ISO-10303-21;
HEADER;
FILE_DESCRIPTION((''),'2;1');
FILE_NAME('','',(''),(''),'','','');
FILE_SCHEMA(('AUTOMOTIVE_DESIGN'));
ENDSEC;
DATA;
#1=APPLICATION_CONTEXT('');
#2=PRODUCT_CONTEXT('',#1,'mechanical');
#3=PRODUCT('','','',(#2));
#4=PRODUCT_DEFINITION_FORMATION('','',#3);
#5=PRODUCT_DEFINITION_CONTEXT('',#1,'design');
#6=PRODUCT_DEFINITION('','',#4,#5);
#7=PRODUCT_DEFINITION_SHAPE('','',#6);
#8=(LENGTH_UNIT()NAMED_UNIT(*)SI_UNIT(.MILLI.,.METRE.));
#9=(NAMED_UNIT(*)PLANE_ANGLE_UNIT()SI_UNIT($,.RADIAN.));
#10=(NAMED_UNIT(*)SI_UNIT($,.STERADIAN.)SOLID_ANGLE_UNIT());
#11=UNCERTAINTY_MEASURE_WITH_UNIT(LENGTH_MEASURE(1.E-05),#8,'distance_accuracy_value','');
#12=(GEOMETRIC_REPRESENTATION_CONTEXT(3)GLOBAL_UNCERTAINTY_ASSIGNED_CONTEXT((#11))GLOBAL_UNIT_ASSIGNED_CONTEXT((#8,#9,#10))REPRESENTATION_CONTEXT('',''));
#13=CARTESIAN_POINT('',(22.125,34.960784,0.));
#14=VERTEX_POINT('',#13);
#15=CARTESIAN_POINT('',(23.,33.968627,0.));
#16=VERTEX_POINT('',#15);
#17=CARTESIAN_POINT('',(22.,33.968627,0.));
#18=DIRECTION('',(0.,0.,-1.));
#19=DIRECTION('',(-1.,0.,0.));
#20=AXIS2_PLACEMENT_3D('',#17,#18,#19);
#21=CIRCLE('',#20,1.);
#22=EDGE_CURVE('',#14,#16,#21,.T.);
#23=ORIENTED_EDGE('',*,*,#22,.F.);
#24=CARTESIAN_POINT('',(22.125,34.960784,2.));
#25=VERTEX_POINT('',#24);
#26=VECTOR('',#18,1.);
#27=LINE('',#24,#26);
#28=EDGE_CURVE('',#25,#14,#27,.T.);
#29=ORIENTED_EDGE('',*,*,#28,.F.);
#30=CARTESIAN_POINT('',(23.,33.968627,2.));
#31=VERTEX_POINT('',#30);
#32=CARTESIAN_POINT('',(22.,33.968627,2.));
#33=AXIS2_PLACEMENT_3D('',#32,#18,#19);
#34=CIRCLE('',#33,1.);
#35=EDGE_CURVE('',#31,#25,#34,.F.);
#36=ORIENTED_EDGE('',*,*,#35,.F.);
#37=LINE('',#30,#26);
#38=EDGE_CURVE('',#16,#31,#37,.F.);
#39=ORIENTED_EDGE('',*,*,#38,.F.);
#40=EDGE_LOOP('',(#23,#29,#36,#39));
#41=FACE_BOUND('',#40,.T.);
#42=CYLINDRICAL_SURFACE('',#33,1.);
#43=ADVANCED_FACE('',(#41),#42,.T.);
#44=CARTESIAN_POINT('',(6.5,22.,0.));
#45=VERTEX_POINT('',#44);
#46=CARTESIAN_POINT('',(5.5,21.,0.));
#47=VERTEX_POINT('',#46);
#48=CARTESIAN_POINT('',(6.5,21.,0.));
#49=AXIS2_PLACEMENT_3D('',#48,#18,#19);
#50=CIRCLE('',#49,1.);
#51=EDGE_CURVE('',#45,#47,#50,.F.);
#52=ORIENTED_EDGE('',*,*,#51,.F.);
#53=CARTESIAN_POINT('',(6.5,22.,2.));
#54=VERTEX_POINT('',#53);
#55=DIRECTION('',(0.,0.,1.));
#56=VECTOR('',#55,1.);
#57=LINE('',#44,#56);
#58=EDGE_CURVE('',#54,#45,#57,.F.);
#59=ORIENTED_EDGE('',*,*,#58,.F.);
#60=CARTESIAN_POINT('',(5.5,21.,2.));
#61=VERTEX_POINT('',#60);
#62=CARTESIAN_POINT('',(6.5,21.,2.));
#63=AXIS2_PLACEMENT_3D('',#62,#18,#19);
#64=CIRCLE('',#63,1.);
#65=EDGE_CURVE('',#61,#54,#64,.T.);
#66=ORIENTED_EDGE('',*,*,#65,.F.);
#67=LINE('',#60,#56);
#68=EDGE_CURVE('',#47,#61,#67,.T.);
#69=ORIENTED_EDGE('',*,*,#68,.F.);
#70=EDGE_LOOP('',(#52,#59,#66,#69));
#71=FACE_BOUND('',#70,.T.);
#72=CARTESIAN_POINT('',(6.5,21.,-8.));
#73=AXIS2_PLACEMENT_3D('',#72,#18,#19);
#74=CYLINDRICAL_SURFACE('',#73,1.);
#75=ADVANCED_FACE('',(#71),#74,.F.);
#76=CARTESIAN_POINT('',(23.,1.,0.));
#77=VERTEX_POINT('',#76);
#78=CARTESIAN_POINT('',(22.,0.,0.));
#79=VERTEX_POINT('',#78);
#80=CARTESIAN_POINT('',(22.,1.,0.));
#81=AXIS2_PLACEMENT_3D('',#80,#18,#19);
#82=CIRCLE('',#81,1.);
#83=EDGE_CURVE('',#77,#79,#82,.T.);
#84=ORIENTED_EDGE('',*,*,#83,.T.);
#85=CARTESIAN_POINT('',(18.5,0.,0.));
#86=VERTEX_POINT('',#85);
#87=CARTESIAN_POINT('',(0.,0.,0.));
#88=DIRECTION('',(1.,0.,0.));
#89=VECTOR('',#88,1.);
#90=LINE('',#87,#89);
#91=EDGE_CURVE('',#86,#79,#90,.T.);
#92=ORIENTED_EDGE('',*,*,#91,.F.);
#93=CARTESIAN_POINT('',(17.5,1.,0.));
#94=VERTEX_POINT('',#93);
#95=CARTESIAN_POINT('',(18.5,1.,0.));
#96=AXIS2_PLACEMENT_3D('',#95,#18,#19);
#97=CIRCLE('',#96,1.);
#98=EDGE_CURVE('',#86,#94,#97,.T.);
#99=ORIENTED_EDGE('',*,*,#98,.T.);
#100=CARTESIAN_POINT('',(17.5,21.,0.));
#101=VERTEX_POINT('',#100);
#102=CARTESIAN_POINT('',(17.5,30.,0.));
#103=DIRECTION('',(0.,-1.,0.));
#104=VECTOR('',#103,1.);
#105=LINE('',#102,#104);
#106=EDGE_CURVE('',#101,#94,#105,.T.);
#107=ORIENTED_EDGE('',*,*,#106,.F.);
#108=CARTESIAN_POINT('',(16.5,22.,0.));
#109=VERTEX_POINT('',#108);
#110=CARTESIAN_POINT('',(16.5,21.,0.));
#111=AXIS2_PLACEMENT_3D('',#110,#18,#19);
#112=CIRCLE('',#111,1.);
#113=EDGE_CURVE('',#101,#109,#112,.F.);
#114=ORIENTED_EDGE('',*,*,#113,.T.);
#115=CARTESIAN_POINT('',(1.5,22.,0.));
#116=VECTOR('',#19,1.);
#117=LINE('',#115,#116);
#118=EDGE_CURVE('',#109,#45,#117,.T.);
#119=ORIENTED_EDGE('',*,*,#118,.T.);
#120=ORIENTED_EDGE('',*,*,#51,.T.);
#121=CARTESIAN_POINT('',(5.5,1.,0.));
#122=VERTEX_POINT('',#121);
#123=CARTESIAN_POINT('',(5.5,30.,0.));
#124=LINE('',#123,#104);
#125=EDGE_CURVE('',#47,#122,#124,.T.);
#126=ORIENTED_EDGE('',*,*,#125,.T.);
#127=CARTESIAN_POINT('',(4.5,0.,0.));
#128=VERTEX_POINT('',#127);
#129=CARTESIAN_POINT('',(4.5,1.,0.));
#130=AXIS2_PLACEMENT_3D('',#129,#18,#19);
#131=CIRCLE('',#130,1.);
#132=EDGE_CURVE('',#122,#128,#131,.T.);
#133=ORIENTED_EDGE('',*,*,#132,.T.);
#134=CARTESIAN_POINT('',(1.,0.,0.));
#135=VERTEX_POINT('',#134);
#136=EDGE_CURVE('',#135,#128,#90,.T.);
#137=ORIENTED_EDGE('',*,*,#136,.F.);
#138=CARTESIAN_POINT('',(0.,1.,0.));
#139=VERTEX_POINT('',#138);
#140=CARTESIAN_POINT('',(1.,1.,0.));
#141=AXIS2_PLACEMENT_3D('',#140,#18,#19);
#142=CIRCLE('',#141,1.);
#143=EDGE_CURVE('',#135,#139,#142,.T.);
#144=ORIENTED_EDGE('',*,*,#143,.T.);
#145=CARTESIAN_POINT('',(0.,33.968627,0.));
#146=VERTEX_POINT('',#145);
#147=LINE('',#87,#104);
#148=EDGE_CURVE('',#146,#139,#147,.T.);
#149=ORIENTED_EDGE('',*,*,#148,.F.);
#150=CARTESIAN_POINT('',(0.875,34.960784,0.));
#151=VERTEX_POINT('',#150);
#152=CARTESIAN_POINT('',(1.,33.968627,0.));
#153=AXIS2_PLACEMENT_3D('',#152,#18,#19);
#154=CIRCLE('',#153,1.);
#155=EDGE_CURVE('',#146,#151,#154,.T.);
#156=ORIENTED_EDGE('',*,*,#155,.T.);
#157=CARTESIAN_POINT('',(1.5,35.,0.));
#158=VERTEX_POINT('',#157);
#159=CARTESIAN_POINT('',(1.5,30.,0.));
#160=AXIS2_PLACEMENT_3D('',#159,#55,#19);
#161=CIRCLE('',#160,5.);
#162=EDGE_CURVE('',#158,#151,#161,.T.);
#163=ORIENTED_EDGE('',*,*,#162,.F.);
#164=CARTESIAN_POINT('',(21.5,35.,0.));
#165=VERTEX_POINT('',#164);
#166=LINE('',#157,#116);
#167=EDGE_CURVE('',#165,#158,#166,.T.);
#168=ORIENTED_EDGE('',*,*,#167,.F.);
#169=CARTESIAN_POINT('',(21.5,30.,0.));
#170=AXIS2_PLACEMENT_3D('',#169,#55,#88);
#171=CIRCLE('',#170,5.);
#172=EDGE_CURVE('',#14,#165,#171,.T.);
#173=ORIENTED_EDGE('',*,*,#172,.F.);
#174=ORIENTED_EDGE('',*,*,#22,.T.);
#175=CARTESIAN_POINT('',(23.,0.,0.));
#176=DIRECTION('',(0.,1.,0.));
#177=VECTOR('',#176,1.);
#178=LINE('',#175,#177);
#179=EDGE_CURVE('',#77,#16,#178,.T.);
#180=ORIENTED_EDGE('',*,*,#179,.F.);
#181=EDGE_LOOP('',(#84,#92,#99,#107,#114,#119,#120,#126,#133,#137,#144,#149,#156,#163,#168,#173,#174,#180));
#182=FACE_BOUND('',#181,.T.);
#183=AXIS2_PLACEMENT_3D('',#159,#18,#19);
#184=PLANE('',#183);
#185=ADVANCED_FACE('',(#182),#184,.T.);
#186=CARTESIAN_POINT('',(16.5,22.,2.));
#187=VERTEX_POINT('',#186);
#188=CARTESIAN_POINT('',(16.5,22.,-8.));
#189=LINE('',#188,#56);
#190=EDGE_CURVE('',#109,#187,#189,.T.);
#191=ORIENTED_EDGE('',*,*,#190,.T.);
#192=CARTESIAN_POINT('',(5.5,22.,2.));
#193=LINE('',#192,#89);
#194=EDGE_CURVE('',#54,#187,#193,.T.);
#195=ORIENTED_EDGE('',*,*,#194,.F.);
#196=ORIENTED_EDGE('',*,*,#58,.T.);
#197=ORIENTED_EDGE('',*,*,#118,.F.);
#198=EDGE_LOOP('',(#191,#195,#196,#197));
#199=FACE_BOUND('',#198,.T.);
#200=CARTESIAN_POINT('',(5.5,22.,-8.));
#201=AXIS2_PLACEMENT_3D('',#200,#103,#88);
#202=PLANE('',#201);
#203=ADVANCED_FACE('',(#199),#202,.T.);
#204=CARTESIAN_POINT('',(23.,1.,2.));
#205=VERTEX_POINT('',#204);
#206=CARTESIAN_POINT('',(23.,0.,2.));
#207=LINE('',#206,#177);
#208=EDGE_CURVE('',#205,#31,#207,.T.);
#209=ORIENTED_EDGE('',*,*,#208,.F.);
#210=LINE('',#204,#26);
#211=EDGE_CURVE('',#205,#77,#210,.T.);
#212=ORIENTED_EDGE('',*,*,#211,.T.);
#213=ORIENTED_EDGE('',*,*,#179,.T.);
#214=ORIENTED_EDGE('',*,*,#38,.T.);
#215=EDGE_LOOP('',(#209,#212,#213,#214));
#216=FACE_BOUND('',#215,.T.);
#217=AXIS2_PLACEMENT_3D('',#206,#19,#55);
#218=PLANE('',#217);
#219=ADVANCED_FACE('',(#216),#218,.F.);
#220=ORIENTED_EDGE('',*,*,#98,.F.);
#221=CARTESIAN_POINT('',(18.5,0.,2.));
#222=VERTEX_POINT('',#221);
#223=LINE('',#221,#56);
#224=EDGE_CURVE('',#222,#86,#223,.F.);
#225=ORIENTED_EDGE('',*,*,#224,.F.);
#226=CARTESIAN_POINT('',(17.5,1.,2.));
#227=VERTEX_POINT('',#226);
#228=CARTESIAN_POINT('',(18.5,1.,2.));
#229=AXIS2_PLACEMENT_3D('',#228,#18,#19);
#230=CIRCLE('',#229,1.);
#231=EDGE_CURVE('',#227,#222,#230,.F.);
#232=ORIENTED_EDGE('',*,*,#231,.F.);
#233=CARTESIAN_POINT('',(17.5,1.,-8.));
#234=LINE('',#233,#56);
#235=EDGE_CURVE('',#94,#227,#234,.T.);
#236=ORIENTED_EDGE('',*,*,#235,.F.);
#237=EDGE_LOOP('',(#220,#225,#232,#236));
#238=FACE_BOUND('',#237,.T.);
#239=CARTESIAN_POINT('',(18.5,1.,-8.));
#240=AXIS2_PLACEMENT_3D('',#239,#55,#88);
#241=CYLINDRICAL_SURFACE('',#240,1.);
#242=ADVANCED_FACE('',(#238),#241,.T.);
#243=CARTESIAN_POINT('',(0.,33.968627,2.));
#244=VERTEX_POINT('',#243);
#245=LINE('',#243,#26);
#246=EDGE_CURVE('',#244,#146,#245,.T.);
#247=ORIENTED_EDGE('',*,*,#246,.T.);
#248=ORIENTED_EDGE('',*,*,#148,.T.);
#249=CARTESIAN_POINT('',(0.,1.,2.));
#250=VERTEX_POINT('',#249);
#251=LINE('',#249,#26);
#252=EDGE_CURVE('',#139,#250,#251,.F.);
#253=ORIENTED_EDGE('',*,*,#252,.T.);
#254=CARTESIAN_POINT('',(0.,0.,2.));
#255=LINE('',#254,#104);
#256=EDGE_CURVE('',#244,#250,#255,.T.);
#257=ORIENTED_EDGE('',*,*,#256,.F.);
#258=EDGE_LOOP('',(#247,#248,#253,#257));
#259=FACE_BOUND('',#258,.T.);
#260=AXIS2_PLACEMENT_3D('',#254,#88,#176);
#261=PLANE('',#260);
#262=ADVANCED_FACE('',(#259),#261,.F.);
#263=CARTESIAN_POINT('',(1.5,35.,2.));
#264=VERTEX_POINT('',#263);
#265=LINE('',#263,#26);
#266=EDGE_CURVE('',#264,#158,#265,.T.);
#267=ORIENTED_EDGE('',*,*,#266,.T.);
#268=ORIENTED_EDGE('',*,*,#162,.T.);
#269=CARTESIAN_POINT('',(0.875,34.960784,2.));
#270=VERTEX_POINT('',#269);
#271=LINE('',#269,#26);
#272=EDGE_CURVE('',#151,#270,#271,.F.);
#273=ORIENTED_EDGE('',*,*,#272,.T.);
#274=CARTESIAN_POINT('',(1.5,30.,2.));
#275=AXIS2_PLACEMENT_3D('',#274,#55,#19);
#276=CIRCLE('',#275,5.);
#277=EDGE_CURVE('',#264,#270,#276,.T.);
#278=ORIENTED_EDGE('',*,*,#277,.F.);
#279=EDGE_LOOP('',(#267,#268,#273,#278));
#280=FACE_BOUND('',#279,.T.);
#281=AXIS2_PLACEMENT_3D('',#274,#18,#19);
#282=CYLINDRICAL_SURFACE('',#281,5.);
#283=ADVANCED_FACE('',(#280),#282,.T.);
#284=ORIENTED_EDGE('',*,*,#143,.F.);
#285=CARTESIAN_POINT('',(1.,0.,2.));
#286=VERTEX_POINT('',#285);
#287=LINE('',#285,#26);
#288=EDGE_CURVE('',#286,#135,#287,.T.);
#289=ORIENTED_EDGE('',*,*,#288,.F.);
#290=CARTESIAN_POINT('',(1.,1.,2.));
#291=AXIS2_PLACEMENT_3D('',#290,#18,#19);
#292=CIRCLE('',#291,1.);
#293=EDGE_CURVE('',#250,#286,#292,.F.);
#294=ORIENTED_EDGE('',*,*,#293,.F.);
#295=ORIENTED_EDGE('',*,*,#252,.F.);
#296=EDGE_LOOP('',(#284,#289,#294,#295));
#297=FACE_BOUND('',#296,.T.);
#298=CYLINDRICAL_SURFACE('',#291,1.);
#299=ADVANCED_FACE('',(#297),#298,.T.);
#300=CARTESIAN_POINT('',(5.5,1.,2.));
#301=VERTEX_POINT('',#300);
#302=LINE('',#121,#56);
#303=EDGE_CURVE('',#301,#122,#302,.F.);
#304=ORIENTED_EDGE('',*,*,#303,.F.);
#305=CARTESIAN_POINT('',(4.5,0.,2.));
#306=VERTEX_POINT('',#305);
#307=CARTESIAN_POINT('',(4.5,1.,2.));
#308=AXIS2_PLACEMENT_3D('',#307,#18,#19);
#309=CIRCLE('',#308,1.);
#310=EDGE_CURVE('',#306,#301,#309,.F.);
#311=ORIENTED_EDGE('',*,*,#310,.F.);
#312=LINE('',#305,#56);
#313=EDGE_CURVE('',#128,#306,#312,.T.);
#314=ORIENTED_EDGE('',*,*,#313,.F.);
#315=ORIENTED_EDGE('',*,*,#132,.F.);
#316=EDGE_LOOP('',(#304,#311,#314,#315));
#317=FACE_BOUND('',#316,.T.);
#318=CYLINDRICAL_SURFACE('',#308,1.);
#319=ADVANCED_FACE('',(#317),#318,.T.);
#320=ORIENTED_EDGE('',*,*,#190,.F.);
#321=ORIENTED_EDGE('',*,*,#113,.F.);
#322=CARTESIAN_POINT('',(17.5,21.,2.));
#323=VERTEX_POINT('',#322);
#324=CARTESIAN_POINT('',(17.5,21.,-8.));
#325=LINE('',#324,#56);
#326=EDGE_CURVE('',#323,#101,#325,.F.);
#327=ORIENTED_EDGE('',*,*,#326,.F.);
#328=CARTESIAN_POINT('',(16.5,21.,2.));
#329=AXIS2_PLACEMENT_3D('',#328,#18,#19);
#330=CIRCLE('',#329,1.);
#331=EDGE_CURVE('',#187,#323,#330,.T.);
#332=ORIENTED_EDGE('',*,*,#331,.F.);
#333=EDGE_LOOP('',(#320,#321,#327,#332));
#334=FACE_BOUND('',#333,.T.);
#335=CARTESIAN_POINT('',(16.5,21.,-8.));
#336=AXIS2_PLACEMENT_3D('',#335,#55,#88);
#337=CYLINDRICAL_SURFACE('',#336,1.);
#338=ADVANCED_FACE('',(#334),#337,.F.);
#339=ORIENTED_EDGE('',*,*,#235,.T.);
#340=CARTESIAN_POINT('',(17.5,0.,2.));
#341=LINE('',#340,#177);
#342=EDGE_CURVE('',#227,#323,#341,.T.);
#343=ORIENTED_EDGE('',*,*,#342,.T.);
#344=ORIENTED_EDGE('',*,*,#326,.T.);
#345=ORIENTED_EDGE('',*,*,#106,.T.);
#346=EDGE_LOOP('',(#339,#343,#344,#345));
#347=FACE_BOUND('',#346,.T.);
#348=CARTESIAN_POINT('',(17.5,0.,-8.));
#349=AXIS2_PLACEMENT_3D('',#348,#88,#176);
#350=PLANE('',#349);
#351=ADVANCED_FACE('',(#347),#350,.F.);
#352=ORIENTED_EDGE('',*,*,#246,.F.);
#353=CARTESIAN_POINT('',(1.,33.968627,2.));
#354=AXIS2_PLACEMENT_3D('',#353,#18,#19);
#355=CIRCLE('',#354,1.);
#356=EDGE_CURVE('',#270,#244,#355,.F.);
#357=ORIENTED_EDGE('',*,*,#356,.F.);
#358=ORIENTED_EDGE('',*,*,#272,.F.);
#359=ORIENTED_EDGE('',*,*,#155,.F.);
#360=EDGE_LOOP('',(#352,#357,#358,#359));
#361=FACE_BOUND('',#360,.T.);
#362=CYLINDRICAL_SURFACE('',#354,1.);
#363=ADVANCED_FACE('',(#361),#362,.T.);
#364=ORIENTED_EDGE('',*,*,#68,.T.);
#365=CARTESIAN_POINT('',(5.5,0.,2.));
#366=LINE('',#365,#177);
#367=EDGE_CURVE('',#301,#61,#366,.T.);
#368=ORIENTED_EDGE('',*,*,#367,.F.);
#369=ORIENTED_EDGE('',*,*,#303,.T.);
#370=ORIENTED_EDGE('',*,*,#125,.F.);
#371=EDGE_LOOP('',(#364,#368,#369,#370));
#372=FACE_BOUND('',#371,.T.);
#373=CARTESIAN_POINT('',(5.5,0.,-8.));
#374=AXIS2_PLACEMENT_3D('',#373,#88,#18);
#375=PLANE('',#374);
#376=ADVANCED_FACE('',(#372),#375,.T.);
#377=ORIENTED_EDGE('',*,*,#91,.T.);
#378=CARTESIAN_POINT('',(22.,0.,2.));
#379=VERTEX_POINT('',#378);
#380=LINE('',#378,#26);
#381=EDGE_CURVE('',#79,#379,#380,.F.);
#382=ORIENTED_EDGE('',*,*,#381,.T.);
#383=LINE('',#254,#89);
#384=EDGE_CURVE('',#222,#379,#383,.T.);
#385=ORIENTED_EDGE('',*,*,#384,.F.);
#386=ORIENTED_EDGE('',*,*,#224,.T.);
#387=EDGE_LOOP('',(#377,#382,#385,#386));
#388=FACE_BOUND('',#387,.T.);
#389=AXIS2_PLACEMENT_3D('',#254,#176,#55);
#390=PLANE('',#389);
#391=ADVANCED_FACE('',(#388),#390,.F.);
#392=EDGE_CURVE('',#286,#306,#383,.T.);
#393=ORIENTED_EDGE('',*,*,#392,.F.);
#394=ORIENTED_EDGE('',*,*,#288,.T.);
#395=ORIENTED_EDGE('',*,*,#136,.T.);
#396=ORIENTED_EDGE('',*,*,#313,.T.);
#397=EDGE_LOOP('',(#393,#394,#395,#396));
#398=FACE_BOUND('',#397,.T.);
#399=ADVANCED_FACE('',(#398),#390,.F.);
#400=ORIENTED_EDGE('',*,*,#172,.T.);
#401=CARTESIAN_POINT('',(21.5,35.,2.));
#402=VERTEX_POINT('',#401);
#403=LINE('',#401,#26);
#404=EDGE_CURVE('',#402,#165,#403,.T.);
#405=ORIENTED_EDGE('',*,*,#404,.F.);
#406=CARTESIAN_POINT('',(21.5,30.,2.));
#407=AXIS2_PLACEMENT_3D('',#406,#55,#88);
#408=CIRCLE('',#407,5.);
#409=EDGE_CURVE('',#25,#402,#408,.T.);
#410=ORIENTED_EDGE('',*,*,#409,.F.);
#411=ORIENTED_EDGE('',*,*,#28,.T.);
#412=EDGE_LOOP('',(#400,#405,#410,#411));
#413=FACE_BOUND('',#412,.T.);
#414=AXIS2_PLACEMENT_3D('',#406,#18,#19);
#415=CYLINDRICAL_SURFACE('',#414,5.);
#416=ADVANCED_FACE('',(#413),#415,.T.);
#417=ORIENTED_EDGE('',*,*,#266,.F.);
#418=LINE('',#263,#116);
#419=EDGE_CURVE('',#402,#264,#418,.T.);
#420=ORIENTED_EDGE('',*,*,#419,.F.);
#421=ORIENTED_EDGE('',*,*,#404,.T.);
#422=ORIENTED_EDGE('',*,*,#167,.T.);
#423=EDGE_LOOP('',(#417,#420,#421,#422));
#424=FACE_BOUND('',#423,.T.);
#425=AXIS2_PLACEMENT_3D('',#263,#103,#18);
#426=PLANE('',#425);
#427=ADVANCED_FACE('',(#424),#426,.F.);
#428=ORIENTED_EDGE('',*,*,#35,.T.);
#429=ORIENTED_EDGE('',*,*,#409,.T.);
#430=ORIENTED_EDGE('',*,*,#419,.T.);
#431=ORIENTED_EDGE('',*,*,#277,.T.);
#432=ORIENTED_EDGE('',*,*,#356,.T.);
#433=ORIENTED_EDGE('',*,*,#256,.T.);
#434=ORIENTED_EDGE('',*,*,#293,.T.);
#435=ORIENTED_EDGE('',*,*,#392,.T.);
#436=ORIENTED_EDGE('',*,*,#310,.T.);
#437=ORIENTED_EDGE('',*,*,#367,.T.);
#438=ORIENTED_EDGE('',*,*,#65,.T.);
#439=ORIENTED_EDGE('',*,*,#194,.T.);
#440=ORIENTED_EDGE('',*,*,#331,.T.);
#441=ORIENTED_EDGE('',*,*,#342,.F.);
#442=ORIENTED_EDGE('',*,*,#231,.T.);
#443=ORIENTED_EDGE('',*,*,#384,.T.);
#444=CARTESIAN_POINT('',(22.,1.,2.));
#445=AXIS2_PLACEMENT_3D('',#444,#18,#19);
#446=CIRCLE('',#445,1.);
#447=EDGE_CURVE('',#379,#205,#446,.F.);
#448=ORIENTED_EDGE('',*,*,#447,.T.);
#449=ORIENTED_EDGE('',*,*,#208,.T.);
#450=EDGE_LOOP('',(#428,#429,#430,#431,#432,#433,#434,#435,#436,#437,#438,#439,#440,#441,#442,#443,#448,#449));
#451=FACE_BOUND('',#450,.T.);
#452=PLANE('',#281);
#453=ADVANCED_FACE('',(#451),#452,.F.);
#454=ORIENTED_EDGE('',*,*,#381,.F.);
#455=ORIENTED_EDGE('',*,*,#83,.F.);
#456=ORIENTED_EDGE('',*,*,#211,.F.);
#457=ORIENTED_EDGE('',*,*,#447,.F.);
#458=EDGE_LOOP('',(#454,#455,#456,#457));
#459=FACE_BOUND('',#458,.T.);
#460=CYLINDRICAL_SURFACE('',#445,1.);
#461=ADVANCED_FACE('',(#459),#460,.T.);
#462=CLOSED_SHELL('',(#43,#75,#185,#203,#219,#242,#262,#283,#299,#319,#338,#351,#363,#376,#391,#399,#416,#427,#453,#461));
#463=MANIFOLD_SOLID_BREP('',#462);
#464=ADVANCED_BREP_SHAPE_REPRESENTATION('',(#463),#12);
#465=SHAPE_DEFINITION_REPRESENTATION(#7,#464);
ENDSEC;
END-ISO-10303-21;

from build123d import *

# Parameters (mm, degrees)
BOSS_EXTRUDE1_DEPTH = 2
FILLET2_R           = 1
SKETCH2_W           = 12
SKETCH2_H           = 22
CUT_EXTRUDE1_DEPTH  = 10
FILLET3_R           = 1


with BuildPart() as part:
    # Sketch1 → Boss-Extrude1 (new body)
    with BuildSketch(Plane.XY):
        with BuildLine():
            Line((0, 0), (23, 0))
            Line((23, 0), (23, 34.769696007))
            ThreePointArc((23, 34.769696007), (22.258788496, 34.942088629), (21.5, 35))
            Line((21.5, 35), (1.5, 35))
            ThreePointArc((1.5, 35), (0.741211504, 34.942088629), (0, 34.769696007))
            Line((0, 34.769696007), (0, 0))
        make_face()
    extrude(amount=BOSS_EXTRUDE1_DEPTH)

    # Fillet2
    fillet2_edges = [part.edges().sort_by_distance(p)[0] for p in [
        (0, 34.769696007, 1),
        (23, 34.769696007, 1),
        (23, 0, 1),
        (0, 0, 1),
    ]]
    fillet(fillet2_edges, radius=FILLET2_R)

    # Sketch2 → Cut-Extrude1 (cut)
    with BuildSketch(Plane.XY.offset(2)):
        with Locations((11.5, 11)):
            Rectangle(SKETCH2_W, SKETCH2_H)
    extrude(amount=-CUT_EXTRUDE1_DEPTH, mode=Mode.SUBTRACT)

    # Fillet3
    fillet3_edges = [part.edges().sort_by_distance(p)[0] for p in [
        (5.5, 0, 1),
        (5.5, 22, 1),
        (17.5, 22, 1),
        (17.5, 0, 1),
    ]]
    fillet(fillet3_edges, radius=FILLET3_R)


solid = part.part
